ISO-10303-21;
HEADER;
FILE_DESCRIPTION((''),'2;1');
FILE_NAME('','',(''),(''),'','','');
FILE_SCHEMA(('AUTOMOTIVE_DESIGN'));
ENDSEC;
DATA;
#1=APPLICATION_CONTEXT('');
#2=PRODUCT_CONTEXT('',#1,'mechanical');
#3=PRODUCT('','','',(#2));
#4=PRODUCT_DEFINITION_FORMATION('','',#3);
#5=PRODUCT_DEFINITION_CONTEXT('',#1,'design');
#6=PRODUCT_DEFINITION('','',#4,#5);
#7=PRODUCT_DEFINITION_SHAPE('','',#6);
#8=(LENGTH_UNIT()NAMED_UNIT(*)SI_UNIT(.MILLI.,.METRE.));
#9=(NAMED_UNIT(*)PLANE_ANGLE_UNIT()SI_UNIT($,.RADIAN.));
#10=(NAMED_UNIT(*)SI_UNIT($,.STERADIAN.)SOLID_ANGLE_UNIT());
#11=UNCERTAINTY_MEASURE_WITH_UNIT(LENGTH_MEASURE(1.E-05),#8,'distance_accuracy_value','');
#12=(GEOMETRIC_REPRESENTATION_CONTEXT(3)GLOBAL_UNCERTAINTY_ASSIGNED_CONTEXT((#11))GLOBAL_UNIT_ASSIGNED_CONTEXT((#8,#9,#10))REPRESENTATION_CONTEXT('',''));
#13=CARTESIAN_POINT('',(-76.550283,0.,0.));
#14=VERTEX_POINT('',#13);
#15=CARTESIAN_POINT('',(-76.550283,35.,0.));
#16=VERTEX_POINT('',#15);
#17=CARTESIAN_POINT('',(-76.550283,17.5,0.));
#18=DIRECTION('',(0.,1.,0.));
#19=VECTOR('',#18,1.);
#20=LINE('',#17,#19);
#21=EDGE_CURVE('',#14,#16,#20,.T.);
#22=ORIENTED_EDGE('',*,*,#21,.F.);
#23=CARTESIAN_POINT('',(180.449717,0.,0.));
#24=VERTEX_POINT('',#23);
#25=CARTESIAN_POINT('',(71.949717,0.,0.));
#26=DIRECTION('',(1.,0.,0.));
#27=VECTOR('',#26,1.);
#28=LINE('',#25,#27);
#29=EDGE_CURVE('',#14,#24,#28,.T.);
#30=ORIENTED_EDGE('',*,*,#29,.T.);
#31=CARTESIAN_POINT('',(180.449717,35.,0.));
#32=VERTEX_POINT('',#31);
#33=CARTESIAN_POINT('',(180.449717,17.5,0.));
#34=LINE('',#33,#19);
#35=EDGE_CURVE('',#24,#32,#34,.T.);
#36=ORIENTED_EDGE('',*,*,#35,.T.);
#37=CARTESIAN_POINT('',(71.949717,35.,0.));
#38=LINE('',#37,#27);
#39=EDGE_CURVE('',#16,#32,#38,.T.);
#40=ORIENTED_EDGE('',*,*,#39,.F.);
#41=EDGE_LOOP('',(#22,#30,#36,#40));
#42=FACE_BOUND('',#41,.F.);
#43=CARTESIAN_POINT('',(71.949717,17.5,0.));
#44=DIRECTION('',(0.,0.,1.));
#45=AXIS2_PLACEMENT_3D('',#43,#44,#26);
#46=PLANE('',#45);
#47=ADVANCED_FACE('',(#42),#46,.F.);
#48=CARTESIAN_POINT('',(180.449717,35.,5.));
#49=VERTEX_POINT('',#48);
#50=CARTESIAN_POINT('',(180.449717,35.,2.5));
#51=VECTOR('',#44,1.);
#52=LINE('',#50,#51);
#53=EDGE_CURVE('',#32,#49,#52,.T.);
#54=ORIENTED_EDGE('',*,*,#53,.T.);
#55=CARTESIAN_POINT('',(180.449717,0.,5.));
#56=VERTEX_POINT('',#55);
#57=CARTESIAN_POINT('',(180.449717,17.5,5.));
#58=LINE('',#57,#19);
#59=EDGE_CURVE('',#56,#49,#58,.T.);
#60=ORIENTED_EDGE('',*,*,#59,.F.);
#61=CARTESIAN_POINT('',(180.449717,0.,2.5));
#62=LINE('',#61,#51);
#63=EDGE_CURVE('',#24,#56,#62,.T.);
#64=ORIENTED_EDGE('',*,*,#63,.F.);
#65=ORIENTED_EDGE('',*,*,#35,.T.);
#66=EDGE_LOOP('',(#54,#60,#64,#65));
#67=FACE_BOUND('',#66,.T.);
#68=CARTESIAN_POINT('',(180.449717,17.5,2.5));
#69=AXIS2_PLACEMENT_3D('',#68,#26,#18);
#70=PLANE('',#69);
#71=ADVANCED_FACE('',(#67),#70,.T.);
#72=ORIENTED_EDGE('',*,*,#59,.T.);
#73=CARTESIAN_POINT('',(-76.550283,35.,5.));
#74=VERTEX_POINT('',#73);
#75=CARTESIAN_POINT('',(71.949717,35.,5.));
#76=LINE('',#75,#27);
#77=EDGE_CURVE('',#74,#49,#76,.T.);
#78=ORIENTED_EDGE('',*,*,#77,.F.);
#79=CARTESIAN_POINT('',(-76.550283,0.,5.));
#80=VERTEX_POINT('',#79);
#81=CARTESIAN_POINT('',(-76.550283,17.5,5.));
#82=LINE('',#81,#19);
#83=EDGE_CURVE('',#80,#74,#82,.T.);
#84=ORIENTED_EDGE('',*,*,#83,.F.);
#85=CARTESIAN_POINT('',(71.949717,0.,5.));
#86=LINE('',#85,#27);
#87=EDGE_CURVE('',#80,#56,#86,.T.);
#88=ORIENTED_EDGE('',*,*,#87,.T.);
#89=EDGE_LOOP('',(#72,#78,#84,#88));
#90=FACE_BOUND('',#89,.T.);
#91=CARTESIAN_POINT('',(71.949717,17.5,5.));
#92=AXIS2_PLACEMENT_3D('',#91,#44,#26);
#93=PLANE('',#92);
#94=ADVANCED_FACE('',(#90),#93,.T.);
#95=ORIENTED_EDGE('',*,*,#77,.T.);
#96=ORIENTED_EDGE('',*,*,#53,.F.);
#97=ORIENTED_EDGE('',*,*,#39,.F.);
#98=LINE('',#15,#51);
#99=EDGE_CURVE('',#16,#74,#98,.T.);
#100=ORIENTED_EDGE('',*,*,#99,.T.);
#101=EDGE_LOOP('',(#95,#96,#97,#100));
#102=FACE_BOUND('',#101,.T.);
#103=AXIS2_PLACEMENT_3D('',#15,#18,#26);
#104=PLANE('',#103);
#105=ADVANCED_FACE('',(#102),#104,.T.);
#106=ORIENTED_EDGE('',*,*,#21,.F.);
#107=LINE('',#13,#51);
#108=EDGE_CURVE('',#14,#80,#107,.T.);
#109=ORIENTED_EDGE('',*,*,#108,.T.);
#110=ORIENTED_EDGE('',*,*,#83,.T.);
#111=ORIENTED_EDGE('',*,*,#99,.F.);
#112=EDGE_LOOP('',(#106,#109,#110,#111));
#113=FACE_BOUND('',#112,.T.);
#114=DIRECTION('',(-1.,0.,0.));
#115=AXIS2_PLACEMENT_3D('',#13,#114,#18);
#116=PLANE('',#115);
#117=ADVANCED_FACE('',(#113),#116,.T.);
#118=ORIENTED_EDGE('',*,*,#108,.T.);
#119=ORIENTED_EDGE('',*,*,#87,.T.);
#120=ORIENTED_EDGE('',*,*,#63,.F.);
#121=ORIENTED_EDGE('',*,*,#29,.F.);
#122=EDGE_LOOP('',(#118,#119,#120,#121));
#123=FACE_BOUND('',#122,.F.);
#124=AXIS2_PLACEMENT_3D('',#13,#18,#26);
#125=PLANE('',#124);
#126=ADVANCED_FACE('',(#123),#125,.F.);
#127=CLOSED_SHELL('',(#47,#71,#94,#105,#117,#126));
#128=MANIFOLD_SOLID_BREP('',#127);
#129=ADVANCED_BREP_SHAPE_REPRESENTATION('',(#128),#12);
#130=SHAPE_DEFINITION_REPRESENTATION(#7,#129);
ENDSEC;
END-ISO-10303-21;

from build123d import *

# Parameters (mm, degrees)
F0_W      = 297
F0_H      = 35
F1_DEPTH  = 5
F1_FACE_W = 35
F1_FACE_H = 5
F2_DEPTH  = 40


with BuildPart() as f1:
    # F0 (on Top) → F1 (new body)
    with BuildSketch(Plane.XY):
        with Locations((71.949717, 17.5)):
            Rectangle(F0_W, F0_H)
    extrude(amount=F1_DEPTH)

    # F1_face (on face) → F2 (cut)
    with BuildSketch(Plane(origin=(220.449717, 17.5, 2.5), x_dir=(0, 1, 0), z_dir=(1, 0, 0))):
        Rectangle(F1_FACE_W, F1_FACE_H)
    extrude(amount=-F2_DEPTH, mode=Mode.SUBTRACT)


solid = f1.part
